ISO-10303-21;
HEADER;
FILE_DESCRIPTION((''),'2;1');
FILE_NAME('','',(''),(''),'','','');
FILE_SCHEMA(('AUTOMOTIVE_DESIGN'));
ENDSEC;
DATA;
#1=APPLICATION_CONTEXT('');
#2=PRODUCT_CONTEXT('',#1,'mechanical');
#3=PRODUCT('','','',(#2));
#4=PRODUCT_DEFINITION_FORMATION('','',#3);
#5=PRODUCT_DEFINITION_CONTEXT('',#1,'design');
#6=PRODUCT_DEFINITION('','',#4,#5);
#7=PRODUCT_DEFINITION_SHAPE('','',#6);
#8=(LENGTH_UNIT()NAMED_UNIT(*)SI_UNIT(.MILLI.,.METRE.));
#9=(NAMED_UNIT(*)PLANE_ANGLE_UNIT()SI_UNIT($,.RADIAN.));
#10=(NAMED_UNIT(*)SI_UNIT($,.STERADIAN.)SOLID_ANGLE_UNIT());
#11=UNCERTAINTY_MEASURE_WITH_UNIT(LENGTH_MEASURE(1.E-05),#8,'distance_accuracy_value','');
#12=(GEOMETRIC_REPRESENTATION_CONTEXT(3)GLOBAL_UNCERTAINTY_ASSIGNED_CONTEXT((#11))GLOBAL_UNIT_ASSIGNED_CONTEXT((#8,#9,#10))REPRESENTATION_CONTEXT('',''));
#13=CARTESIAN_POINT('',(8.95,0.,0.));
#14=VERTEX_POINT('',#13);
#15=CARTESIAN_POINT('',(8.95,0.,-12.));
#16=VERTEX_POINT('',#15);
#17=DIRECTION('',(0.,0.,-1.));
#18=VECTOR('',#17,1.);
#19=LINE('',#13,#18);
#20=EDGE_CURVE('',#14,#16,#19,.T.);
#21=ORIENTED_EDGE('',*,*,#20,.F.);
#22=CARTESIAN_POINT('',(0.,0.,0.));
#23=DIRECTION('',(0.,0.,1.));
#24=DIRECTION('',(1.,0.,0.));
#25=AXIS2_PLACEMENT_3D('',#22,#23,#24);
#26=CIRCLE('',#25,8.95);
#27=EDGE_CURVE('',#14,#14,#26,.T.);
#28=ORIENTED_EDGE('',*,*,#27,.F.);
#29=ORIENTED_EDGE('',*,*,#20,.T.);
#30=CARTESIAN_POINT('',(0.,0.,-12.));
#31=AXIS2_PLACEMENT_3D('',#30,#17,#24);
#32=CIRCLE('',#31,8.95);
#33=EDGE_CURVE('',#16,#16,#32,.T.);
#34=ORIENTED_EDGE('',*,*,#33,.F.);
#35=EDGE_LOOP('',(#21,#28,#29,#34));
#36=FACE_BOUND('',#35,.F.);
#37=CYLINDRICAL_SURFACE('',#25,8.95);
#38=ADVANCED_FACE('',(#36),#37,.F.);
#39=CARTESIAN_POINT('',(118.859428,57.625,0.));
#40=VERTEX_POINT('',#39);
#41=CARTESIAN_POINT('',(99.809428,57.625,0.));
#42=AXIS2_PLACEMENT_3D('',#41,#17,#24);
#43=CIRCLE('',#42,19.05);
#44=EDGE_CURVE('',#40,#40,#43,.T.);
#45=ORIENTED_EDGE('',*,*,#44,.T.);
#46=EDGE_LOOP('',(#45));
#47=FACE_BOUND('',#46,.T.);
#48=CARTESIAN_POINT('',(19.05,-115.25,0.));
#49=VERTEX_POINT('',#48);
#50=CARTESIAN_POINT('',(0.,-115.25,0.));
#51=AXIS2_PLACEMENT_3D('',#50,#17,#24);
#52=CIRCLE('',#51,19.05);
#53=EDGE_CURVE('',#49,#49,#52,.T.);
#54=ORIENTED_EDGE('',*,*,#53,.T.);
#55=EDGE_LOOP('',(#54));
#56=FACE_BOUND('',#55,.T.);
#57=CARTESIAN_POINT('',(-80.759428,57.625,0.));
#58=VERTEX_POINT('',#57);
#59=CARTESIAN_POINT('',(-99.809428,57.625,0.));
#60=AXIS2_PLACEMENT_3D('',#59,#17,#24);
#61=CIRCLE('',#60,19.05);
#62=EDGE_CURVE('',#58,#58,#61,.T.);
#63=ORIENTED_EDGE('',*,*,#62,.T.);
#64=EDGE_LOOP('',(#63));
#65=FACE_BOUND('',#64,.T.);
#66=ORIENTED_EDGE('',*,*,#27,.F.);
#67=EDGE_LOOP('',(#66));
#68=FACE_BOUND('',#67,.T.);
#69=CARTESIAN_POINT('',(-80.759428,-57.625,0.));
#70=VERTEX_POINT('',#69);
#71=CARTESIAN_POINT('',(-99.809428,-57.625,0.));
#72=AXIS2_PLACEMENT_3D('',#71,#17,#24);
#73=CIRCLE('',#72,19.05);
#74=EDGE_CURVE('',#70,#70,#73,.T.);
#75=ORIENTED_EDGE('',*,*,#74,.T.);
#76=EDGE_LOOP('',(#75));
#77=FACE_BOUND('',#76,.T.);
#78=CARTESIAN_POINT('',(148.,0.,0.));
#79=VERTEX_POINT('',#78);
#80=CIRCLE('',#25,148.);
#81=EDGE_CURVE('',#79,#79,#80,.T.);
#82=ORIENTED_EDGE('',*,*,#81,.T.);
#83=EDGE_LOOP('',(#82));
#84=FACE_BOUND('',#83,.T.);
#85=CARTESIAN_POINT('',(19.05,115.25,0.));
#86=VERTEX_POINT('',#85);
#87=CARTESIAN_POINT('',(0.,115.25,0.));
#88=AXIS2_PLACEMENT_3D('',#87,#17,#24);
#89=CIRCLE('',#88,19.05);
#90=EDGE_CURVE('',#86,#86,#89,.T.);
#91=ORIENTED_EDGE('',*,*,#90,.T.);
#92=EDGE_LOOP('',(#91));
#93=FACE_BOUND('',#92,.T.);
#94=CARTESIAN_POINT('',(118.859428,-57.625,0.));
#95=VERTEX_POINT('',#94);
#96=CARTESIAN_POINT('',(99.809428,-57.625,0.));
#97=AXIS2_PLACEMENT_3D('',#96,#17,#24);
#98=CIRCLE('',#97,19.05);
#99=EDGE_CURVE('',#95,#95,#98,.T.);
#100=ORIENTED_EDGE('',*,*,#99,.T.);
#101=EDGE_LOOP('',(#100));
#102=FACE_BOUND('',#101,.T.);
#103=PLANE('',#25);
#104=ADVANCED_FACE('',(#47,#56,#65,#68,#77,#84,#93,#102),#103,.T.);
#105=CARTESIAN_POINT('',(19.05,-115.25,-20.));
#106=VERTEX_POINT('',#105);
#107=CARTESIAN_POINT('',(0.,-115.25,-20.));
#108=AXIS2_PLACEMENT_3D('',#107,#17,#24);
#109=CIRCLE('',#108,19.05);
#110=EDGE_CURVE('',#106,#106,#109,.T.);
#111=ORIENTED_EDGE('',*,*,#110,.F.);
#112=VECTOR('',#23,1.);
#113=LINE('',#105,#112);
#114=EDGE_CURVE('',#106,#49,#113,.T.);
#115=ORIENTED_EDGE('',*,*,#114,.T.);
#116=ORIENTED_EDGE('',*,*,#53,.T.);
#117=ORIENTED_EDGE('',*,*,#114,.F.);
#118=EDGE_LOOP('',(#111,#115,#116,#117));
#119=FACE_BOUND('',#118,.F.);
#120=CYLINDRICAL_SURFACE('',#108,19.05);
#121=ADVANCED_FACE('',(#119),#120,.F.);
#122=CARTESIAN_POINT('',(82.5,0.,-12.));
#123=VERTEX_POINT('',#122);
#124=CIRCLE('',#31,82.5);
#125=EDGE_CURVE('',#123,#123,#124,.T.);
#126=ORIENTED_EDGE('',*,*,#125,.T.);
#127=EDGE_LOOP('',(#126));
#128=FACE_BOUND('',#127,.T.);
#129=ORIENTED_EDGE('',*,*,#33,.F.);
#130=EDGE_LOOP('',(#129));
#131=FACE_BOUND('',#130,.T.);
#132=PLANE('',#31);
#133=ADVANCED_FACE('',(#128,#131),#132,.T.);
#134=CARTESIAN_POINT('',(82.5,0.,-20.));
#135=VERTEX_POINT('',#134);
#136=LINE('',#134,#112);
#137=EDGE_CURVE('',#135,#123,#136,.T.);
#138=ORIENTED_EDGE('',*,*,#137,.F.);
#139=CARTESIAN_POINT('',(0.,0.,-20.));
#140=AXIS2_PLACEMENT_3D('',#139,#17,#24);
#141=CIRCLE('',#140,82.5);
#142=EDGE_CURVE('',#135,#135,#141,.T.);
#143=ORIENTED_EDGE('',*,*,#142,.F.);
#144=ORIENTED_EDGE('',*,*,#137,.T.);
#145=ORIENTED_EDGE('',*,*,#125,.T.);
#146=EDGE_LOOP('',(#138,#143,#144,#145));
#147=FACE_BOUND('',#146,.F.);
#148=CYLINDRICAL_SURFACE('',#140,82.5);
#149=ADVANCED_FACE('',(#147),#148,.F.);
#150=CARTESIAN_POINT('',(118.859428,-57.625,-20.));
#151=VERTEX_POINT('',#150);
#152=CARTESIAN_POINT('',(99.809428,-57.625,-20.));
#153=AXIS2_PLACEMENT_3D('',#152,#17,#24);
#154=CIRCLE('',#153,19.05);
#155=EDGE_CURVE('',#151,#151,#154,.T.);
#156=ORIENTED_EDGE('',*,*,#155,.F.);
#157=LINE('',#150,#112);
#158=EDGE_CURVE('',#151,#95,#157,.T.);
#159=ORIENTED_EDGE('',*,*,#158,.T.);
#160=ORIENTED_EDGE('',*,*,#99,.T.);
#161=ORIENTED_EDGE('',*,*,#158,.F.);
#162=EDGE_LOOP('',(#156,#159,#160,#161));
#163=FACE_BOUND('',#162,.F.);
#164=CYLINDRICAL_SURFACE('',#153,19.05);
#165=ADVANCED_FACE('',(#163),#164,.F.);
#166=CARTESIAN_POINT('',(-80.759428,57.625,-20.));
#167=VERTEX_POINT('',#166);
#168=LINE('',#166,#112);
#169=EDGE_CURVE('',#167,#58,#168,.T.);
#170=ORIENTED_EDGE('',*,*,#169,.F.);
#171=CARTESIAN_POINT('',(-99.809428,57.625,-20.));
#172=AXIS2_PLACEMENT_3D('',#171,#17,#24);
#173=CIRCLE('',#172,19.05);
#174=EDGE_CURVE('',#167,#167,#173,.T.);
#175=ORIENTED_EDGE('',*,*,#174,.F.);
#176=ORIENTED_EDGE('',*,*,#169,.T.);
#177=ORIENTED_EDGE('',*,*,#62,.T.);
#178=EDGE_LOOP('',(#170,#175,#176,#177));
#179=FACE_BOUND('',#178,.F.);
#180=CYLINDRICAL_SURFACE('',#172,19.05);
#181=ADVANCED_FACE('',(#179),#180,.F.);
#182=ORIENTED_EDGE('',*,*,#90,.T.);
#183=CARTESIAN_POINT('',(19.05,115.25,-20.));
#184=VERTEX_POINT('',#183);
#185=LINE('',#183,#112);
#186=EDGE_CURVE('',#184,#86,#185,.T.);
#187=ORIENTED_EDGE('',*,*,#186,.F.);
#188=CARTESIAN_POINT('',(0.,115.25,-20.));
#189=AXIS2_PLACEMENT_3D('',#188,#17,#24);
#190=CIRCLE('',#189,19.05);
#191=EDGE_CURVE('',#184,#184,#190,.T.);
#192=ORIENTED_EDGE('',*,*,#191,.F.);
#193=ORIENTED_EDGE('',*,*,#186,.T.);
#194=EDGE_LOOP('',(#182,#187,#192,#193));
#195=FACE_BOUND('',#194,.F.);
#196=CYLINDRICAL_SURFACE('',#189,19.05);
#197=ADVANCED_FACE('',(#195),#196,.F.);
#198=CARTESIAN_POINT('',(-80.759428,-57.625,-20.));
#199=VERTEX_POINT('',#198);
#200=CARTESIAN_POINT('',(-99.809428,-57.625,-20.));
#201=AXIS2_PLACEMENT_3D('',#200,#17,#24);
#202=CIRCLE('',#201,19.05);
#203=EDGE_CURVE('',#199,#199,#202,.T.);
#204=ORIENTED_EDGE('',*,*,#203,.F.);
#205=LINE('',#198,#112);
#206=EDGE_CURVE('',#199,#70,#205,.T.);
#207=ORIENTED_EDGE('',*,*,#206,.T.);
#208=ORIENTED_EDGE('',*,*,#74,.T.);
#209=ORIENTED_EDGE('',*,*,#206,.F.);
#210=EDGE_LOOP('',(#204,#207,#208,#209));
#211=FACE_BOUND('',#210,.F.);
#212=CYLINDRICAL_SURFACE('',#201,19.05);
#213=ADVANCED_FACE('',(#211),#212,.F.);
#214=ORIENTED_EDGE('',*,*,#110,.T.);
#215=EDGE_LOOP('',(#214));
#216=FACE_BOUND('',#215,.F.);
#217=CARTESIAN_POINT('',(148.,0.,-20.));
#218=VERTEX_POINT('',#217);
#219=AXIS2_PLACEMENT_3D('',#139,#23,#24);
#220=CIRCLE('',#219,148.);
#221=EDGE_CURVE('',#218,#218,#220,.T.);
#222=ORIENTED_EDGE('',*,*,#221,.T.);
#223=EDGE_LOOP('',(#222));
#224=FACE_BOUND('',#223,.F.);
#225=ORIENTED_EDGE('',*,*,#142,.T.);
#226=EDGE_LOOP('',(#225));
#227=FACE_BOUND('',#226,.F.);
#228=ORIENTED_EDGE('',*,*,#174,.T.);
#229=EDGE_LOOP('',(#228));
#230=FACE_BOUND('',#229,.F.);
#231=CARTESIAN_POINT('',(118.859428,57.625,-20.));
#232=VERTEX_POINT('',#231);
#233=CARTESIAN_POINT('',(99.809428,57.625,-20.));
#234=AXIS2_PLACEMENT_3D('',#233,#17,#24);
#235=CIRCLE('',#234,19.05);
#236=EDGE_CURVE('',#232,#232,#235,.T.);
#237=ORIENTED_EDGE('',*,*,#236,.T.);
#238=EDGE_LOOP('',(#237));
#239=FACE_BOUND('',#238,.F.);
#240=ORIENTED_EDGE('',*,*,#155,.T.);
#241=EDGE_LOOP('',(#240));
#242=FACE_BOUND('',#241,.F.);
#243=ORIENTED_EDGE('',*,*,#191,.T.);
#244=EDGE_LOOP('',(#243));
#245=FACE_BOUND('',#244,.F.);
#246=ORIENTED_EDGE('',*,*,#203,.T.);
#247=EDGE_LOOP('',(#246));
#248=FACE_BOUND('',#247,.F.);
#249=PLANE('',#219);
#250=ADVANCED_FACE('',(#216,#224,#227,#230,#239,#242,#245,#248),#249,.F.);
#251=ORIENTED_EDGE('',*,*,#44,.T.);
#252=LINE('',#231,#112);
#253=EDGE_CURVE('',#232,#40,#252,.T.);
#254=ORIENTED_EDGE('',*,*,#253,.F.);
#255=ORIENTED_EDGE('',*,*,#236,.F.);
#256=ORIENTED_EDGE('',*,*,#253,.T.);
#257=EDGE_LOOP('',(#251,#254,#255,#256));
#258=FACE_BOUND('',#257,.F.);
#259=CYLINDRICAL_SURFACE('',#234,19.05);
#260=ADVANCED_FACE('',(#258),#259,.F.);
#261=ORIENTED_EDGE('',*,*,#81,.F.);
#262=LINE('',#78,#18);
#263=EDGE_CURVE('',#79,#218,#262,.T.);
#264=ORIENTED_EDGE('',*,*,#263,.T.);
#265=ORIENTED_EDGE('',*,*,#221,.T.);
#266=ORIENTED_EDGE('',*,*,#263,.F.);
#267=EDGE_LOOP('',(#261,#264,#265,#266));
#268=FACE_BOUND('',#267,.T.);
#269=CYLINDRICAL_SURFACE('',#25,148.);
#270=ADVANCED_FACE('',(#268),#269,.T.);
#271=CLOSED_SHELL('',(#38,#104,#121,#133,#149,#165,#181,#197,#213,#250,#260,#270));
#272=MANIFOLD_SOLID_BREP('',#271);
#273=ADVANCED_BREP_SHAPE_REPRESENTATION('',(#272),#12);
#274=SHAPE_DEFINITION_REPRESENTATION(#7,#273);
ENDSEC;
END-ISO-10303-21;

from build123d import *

# Parameters (mm, degrees)
F0_R     = 148
F0_R_2   = 8.95
F1_DEPTH = 20
F2_R     = 82.5
F2_R_2   = 8.95
F3_DEPTH = 8
F2_R_3   = 19.05
F4_DEPTH = 20


with BuildPart() as f1:
    # F0 (on Top) → F1 (new body)
    with BuildSketch(Plane.XY):
        Circle(F0_R)
        Circle(F0_R_2, mode=Mode.SUBTRACT)
    extrude(amount=-F1_DEPTH)

    # F2 (on face) → F3 (cut)
    with BuildSketch(Plane(origin=(0, 0, -20), x_dir=(1, 0, 0), z_dir=(0, 0, -1))):
        Circle(F2_R)
        Circle(F2_R_2, mode=Mode.SUBTRACT)
    extrude(amount=-F3_DEPTH, mode=Mode.SUBTRACT)

    # F2 (on face) → F4 (cut, through all)
    with BuildSketch(Plane(origin=(0, 0, -20), x_dir=(1, 0, 0), z_dir=(0, 0, -1))):
        with Locations((-99.809428, 57.625)):
            Circle(F2_R_3)
        with Locations((-99.809428, -57.625)):
            Circle(F2_R_3)
        with Locations((0, -115.25)):
            Circle(F2_R_3)
        with Locations((99.809428, -57.625)):
            Circle(F2_R_3)
        with Locations((99.809428, 57.625)):
            Circle(F2_R_3)
        with Locations((0, 115.25)):
            Circle(F2_R_3)
    extrude(amount=-F4_DEPTH, mode=Mode.SUBTRACT)


with BuildPart() as f5_1:
    # F5: copy of F1
    add(f1.part)


solid = f1.part
